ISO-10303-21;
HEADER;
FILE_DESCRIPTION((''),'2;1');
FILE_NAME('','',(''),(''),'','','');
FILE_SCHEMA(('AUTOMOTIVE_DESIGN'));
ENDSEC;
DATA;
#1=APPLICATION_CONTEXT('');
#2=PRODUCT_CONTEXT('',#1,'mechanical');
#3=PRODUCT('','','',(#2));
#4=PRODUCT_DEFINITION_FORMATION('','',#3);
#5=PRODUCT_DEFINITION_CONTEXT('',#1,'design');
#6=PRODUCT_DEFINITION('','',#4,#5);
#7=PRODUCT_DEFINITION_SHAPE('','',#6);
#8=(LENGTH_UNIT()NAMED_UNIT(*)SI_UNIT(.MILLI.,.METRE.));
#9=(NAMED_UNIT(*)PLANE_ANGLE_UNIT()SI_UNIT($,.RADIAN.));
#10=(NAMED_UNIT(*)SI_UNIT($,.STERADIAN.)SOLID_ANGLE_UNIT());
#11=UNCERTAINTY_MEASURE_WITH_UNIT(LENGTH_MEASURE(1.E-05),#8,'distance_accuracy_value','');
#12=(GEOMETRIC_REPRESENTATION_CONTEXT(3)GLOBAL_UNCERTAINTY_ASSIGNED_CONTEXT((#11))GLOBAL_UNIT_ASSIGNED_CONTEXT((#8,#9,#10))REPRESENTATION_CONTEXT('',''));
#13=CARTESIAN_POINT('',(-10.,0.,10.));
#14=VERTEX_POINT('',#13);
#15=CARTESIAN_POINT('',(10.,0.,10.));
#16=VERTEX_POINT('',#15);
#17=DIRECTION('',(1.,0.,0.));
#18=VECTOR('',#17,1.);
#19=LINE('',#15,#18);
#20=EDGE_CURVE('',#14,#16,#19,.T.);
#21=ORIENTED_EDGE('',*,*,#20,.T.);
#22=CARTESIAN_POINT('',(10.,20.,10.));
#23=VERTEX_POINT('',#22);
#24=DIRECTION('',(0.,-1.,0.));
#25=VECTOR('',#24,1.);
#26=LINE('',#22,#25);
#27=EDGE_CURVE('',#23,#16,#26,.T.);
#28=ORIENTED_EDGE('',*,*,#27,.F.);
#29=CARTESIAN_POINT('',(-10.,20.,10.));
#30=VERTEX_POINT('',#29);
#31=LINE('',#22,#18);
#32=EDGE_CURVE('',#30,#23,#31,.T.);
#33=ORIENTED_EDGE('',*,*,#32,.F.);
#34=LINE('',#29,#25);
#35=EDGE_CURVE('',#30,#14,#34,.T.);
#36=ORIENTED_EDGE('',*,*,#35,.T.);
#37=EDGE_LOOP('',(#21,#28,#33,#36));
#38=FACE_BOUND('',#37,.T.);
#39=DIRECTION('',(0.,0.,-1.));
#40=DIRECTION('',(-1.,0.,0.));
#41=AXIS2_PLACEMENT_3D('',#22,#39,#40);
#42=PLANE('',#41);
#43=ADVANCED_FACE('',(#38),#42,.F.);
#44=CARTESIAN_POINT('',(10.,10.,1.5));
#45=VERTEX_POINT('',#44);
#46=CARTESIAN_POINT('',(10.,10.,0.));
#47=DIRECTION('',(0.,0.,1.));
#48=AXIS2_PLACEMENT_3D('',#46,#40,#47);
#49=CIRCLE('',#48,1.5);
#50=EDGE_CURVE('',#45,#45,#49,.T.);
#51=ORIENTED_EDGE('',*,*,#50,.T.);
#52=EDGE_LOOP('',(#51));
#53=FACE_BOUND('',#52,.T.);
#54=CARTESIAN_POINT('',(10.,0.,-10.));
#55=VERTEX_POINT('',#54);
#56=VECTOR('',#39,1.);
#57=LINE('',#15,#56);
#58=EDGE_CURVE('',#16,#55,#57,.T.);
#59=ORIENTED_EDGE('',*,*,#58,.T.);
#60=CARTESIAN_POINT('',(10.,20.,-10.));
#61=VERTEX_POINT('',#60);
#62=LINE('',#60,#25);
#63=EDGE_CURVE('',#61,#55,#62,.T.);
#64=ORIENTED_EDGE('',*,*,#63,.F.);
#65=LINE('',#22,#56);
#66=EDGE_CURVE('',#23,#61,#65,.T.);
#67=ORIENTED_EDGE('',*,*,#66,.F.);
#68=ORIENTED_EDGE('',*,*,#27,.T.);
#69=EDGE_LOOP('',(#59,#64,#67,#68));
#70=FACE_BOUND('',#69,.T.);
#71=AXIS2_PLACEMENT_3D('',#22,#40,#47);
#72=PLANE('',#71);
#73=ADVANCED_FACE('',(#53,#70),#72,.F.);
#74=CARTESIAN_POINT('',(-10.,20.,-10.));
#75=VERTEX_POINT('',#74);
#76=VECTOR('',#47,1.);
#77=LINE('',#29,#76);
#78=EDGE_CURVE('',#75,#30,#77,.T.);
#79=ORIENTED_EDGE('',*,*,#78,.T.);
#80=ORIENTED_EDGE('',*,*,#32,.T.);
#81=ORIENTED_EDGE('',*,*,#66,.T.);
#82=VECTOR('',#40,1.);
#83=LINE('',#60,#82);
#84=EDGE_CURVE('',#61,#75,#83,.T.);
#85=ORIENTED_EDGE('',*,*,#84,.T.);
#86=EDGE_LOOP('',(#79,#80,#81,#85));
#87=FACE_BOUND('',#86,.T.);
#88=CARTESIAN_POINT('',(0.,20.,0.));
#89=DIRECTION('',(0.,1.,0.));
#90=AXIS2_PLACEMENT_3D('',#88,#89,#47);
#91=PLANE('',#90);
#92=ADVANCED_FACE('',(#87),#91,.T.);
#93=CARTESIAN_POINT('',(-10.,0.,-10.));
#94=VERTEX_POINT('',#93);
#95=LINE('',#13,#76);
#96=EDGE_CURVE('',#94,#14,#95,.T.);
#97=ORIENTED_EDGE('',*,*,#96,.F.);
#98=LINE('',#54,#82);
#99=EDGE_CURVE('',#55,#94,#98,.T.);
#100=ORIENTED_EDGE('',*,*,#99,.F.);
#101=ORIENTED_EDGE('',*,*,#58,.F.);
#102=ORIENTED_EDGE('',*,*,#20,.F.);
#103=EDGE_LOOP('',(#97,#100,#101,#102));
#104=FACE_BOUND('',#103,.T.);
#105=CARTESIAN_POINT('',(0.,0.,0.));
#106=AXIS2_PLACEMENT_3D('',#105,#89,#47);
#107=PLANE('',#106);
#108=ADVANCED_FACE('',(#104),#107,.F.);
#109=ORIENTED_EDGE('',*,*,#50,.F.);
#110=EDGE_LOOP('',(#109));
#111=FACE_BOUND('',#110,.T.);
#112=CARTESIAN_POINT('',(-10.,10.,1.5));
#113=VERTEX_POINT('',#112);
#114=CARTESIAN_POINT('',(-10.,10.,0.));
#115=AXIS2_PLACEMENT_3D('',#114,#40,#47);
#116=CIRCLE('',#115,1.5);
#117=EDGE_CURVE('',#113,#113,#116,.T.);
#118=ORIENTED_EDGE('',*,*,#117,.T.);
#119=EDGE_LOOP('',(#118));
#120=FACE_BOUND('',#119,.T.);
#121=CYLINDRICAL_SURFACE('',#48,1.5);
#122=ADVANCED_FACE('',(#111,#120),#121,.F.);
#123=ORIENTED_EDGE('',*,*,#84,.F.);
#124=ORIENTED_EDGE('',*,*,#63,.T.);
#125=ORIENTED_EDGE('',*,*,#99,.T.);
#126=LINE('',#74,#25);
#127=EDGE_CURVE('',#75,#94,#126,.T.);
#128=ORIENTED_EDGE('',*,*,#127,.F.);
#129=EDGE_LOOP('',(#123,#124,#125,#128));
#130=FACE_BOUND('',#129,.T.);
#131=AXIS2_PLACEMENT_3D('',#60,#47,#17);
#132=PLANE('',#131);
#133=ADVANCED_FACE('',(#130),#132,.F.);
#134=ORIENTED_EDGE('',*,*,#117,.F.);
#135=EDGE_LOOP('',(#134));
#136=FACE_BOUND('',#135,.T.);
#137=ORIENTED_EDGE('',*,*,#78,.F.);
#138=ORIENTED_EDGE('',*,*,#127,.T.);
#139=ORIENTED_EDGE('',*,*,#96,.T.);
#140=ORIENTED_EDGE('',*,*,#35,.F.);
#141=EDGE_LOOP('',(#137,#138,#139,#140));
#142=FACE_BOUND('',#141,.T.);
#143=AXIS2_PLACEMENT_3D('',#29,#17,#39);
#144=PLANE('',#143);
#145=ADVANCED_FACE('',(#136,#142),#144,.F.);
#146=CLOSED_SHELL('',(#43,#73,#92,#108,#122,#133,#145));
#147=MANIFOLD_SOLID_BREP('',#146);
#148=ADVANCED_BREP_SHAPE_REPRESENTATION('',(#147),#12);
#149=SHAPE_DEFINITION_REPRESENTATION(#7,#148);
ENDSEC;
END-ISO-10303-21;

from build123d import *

# Parameters (mm, degrees)
SKETCH1_W           = 20
SKETCH1_H           = 20
BOSS_EXTRUDE1_DEPTH = 20
SKETCH3_R           = 1.5
CUT_EXTRUDE1_DEPTH  = 20


with BuildPart() as part:
    # Sketch1 → Boss-Extrude1 (new body)
    with BuildSketch(Plane(origin=(0, 0, 0), x_dir=(1, 0, 0), z_dir=(0, 1, 0))):
        Rectangle(SKETCH1_W, SKETCH1_H)
    extrude(amount=BOSS_EXTRUDE1_DEPTH)

    # Sketch3 → Cut-Extrude1 (cut)
    with BuildSketch(Plane.ZY.offset(10)):
        with Locations((0, 10)):
            Circle(SKETCH3_R)
    extrude(amount=-CUT_EXTRUDE1_DEPTH, mode=Mode.SUBTRACT)


solid = part.part
